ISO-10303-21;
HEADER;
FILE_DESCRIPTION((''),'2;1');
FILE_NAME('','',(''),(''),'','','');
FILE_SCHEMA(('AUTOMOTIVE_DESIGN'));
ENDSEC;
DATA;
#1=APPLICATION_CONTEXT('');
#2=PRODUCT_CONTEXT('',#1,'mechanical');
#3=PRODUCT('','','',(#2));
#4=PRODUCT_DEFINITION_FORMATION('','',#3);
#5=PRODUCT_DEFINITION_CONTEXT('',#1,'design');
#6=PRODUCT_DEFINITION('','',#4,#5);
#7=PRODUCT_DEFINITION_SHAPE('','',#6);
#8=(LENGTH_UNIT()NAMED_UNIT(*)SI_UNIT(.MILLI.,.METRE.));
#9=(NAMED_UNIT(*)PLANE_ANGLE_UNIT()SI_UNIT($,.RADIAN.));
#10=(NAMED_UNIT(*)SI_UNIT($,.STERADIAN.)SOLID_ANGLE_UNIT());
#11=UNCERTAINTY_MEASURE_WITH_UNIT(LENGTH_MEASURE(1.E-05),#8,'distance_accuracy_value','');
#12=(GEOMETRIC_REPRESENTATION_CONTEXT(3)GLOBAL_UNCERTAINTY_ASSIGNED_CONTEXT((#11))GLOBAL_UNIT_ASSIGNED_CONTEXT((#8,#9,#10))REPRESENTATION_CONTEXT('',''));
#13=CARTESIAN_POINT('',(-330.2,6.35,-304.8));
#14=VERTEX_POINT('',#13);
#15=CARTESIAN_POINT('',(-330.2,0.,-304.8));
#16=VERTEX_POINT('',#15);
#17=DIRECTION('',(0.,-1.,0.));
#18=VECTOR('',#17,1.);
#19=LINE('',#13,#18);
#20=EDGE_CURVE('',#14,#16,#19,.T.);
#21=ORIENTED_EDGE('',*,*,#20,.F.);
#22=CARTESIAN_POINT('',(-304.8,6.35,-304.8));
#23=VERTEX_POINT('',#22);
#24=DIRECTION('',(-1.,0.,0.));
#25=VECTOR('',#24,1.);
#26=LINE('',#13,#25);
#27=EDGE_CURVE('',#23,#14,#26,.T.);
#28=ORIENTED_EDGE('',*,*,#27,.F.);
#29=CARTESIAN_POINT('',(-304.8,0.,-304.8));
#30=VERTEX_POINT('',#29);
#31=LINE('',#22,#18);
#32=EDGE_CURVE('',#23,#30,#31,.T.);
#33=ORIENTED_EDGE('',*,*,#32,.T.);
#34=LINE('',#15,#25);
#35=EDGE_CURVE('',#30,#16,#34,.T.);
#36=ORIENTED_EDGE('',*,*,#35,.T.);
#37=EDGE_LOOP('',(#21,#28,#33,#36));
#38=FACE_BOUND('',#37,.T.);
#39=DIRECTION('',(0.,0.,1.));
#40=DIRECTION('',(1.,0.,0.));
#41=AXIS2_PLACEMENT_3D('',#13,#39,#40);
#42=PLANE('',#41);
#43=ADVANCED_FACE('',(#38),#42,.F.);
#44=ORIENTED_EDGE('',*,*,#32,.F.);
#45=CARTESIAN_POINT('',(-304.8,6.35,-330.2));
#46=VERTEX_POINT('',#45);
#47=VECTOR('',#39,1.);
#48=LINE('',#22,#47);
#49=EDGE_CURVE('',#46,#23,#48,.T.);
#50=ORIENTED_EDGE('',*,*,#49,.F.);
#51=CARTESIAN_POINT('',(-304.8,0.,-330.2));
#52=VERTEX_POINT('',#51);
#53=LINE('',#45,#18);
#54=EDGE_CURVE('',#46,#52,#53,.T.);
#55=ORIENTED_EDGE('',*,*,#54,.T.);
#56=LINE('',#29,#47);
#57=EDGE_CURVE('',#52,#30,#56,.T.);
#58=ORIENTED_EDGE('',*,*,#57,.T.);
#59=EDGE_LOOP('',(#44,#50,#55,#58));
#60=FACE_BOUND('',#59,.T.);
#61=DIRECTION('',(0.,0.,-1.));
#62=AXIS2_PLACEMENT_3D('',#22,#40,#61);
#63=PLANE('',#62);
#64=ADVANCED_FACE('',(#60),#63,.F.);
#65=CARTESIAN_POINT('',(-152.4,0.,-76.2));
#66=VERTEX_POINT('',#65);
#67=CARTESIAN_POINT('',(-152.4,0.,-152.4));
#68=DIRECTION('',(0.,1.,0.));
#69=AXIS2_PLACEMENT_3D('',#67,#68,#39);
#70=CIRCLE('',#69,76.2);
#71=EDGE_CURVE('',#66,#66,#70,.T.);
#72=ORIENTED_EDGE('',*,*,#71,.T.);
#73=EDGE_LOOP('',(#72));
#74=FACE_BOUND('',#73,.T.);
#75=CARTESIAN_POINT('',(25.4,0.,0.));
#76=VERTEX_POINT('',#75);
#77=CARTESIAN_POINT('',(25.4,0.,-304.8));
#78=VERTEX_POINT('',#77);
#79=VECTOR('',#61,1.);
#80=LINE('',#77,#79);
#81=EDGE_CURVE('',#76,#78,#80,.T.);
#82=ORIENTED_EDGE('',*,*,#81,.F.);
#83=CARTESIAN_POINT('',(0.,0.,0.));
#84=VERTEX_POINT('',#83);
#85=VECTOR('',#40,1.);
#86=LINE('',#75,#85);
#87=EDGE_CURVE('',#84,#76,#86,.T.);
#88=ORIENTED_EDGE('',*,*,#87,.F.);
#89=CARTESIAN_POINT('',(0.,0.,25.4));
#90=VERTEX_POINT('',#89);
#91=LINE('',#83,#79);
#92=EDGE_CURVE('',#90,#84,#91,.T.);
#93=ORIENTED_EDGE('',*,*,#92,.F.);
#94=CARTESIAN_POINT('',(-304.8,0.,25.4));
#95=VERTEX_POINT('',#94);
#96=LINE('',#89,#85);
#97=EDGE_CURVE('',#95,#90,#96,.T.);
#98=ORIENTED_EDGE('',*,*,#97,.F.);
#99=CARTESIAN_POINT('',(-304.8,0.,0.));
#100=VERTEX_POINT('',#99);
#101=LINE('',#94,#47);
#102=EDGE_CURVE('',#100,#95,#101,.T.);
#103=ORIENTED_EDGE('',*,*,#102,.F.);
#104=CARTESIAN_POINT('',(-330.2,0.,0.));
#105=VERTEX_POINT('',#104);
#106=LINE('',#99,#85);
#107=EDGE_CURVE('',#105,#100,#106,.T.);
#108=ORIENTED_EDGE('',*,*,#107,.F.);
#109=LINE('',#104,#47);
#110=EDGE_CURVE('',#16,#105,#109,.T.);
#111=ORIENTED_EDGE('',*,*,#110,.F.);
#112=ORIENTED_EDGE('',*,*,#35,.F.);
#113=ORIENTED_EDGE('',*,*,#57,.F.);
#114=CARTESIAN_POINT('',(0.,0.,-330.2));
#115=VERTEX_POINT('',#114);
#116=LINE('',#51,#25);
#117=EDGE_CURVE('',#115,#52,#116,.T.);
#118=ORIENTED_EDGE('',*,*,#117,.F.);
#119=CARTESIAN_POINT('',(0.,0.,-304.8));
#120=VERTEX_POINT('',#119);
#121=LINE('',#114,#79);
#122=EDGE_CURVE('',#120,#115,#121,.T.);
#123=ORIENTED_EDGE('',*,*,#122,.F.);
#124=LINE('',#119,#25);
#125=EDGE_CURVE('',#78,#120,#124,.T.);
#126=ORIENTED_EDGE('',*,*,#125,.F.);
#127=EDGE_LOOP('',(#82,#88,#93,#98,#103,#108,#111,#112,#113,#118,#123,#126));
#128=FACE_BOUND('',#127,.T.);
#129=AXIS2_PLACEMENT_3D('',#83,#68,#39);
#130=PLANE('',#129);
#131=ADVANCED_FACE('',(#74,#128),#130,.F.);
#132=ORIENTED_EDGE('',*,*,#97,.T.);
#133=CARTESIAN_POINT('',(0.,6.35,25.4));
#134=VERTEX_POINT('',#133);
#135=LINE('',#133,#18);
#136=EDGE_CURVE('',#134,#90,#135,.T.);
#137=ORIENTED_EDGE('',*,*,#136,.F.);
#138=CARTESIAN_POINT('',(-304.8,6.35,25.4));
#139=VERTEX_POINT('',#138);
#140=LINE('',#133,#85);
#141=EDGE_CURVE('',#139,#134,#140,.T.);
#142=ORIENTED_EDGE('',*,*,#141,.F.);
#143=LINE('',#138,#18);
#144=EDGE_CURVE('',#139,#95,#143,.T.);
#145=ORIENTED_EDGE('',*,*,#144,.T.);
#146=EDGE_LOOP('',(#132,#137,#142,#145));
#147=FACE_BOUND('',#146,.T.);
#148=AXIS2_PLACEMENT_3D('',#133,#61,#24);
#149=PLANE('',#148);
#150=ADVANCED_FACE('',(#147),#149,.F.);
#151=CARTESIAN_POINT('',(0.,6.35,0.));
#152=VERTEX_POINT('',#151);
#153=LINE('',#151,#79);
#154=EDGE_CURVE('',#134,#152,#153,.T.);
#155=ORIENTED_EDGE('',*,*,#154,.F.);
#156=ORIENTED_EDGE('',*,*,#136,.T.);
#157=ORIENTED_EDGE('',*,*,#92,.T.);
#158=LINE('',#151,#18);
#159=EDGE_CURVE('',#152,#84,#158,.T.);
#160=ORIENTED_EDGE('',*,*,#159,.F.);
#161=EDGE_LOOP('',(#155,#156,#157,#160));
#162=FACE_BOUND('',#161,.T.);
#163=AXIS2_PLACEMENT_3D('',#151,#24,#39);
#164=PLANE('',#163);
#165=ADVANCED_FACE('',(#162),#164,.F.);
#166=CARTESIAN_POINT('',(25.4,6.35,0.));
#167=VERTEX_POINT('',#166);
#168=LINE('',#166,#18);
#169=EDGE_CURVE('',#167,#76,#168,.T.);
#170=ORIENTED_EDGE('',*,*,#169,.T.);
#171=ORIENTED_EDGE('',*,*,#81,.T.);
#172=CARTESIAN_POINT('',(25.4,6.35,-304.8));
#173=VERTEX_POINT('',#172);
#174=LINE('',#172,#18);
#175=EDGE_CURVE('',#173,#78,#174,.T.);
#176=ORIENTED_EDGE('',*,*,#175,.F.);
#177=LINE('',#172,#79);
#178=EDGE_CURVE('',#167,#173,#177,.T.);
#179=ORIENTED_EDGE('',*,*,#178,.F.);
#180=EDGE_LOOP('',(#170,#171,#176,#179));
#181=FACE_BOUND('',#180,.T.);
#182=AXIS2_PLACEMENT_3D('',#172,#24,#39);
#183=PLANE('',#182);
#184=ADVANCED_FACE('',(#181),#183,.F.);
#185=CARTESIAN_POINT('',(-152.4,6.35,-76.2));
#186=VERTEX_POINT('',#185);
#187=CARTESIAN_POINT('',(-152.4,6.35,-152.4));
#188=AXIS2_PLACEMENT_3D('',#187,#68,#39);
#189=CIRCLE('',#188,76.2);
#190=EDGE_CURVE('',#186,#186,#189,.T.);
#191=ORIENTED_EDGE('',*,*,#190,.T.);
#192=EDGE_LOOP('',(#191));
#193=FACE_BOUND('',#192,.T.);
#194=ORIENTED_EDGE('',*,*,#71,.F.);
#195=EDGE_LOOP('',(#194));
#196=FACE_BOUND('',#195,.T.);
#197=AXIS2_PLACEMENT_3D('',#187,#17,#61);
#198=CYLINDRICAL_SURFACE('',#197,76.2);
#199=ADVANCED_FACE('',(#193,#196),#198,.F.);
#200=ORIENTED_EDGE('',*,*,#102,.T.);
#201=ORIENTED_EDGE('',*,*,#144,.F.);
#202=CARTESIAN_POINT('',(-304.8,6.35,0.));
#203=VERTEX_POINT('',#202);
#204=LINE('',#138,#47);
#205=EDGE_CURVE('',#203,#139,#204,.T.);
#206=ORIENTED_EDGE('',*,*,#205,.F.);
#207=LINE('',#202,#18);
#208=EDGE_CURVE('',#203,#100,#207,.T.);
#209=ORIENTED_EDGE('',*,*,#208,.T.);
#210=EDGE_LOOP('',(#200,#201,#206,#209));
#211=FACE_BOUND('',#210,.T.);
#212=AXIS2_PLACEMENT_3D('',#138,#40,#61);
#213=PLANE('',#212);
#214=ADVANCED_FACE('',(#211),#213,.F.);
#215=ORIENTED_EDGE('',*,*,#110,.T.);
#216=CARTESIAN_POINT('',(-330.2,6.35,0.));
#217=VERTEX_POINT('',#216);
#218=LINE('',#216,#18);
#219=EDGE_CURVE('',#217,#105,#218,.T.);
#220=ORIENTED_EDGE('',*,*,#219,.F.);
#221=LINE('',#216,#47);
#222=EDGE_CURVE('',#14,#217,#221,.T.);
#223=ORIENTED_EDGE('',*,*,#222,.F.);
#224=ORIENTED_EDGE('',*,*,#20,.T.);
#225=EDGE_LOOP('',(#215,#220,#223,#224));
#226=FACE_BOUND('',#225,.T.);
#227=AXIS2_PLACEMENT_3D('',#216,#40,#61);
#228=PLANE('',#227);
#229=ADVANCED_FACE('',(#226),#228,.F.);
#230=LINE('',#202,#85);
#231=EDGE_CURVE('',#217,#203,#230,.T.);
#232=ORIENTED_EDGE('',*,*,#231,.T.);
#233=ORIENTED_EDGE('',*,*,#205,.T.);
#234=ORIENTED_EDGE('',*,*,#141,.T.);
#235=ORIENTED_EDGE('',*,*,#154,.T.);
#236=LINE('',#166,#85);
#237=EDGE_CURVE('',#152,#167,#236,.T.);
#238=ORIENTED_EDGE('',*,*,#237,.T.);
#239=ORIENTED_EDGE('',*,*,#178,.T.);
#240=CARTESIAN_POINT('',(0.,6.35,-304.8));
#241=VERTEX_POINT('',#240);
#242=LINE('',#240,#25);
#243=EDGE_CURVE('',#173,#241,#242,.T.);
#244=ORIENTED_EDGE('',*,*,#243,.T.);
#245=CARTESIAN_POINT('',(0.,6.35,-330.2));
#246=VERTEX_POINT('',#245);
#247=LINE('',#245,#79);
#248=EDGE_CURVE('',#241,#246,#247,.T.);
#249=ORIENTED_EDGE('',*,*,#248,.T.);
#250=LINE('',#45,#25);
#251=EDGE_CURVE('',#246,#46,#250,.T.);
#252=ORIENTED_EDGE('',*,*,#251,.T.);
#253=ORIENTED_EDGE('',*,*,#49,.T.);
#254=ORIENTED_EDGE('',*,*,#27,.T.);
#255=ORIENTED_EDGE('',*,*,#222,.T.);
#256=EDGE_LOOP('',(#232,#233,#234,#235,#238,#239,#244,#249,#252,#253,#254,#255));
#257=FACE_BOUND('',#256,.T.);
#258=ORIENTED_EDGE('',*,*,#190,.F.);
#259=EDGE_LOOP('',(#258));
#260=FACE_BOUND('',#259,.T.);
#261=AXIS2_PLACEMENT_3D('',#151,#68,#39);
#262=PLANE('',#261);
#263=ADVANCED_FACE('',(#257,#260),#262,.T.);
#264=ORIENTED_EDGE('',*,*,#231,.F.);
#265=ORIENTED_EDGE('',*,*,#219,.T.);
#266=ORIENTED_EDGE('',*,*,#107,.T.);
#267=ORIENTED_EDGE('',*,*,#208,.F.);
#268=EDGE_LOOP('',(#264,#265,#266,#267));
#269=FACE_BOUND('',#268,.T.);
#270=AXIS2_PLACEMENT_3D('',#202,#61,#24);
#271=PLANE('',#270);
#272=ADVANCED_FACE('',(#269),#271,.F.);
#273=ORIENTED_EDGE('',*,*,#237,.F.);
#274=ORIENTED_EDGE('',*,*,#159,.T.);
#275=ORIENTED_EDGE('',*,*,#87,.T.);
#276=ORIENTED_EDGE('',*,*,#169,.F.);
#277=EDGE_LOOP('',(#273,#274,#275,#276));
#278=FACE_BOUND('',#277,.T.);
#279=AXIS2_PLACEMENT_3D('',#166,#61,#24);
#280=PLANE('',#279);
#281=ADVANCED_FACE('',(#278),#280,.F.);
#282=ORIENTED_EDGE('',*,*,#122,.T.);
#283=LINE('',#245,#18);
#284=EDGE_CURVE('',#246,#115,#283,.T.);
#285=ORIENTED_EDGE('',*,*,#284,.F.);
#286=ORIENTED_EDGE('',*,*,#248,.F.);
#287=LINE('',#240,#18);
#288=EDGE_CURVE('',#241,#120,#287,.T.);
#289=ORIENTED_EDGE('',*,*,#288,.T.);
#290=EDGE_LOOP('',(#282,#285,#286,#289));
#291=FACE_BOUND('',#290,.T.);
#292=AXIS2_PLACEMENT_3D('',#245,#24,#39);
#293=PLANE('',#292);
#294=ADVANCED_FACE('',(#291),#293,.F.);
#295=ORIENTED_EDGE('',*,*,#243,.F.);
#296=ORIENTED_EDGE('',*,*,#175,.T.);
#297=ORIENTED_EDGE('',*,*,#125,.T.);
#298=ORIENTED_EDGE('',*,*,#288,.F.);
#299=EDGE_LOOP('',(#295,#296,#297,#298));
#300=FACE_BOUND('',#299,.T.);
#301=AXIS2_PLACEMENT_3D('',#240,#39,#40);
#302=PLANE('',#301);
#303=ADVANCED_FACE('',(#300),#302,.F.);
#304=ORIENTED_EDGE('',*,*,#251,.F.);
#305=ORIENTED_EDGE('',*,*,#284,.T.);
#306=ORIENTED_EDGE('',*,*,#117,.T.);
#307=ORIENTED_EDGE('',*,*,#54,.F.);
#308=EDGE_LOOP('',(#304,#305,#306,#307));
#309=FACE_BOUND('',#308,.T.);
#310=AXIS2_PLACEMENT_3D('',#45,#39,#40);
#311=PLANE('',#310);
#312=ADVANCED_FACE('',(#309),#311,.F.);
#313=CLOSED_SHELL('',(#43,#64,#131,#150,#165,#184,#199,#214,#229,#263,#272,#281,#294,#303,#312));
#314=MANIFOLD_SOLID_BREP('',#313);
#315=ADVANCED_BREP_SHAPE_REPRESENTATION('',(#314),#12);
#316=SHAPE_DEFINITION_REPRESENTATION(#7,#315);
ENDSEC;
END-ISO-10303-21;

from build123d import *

# Parameters (mm, degrees)
SKETCH1_R           = 76.2
BOSS_EXTRUDE1_DEPTH = 6.35


with BuildPart() as part:
    # Sketch1 → Boss-Extrude1 (new body)
    with BuildSketch(Plane(origin=(0, 0, 0), x_dir=(1, 0, 0), z_dir=(0, 1, 0))):
        Polygon((0, 0), (0, -25.4), (-304.8, -25.4), (-304.8, 0), (-330.2, 0), (-330.2, 304.8), (-304.8, 304.8), (-304.8, 330.2), (0, 330.2), (0, 304.8), (25.4, 304.8), (25.4, 0), align=None)
        with Locations((-152.4, 152.4)):
            Circle(SKETCH1_R, mode=Mode.SUBTRACT)
    extrude(amount=BOSS_EXTRUDE1_DEPTH)


solid = part.part
